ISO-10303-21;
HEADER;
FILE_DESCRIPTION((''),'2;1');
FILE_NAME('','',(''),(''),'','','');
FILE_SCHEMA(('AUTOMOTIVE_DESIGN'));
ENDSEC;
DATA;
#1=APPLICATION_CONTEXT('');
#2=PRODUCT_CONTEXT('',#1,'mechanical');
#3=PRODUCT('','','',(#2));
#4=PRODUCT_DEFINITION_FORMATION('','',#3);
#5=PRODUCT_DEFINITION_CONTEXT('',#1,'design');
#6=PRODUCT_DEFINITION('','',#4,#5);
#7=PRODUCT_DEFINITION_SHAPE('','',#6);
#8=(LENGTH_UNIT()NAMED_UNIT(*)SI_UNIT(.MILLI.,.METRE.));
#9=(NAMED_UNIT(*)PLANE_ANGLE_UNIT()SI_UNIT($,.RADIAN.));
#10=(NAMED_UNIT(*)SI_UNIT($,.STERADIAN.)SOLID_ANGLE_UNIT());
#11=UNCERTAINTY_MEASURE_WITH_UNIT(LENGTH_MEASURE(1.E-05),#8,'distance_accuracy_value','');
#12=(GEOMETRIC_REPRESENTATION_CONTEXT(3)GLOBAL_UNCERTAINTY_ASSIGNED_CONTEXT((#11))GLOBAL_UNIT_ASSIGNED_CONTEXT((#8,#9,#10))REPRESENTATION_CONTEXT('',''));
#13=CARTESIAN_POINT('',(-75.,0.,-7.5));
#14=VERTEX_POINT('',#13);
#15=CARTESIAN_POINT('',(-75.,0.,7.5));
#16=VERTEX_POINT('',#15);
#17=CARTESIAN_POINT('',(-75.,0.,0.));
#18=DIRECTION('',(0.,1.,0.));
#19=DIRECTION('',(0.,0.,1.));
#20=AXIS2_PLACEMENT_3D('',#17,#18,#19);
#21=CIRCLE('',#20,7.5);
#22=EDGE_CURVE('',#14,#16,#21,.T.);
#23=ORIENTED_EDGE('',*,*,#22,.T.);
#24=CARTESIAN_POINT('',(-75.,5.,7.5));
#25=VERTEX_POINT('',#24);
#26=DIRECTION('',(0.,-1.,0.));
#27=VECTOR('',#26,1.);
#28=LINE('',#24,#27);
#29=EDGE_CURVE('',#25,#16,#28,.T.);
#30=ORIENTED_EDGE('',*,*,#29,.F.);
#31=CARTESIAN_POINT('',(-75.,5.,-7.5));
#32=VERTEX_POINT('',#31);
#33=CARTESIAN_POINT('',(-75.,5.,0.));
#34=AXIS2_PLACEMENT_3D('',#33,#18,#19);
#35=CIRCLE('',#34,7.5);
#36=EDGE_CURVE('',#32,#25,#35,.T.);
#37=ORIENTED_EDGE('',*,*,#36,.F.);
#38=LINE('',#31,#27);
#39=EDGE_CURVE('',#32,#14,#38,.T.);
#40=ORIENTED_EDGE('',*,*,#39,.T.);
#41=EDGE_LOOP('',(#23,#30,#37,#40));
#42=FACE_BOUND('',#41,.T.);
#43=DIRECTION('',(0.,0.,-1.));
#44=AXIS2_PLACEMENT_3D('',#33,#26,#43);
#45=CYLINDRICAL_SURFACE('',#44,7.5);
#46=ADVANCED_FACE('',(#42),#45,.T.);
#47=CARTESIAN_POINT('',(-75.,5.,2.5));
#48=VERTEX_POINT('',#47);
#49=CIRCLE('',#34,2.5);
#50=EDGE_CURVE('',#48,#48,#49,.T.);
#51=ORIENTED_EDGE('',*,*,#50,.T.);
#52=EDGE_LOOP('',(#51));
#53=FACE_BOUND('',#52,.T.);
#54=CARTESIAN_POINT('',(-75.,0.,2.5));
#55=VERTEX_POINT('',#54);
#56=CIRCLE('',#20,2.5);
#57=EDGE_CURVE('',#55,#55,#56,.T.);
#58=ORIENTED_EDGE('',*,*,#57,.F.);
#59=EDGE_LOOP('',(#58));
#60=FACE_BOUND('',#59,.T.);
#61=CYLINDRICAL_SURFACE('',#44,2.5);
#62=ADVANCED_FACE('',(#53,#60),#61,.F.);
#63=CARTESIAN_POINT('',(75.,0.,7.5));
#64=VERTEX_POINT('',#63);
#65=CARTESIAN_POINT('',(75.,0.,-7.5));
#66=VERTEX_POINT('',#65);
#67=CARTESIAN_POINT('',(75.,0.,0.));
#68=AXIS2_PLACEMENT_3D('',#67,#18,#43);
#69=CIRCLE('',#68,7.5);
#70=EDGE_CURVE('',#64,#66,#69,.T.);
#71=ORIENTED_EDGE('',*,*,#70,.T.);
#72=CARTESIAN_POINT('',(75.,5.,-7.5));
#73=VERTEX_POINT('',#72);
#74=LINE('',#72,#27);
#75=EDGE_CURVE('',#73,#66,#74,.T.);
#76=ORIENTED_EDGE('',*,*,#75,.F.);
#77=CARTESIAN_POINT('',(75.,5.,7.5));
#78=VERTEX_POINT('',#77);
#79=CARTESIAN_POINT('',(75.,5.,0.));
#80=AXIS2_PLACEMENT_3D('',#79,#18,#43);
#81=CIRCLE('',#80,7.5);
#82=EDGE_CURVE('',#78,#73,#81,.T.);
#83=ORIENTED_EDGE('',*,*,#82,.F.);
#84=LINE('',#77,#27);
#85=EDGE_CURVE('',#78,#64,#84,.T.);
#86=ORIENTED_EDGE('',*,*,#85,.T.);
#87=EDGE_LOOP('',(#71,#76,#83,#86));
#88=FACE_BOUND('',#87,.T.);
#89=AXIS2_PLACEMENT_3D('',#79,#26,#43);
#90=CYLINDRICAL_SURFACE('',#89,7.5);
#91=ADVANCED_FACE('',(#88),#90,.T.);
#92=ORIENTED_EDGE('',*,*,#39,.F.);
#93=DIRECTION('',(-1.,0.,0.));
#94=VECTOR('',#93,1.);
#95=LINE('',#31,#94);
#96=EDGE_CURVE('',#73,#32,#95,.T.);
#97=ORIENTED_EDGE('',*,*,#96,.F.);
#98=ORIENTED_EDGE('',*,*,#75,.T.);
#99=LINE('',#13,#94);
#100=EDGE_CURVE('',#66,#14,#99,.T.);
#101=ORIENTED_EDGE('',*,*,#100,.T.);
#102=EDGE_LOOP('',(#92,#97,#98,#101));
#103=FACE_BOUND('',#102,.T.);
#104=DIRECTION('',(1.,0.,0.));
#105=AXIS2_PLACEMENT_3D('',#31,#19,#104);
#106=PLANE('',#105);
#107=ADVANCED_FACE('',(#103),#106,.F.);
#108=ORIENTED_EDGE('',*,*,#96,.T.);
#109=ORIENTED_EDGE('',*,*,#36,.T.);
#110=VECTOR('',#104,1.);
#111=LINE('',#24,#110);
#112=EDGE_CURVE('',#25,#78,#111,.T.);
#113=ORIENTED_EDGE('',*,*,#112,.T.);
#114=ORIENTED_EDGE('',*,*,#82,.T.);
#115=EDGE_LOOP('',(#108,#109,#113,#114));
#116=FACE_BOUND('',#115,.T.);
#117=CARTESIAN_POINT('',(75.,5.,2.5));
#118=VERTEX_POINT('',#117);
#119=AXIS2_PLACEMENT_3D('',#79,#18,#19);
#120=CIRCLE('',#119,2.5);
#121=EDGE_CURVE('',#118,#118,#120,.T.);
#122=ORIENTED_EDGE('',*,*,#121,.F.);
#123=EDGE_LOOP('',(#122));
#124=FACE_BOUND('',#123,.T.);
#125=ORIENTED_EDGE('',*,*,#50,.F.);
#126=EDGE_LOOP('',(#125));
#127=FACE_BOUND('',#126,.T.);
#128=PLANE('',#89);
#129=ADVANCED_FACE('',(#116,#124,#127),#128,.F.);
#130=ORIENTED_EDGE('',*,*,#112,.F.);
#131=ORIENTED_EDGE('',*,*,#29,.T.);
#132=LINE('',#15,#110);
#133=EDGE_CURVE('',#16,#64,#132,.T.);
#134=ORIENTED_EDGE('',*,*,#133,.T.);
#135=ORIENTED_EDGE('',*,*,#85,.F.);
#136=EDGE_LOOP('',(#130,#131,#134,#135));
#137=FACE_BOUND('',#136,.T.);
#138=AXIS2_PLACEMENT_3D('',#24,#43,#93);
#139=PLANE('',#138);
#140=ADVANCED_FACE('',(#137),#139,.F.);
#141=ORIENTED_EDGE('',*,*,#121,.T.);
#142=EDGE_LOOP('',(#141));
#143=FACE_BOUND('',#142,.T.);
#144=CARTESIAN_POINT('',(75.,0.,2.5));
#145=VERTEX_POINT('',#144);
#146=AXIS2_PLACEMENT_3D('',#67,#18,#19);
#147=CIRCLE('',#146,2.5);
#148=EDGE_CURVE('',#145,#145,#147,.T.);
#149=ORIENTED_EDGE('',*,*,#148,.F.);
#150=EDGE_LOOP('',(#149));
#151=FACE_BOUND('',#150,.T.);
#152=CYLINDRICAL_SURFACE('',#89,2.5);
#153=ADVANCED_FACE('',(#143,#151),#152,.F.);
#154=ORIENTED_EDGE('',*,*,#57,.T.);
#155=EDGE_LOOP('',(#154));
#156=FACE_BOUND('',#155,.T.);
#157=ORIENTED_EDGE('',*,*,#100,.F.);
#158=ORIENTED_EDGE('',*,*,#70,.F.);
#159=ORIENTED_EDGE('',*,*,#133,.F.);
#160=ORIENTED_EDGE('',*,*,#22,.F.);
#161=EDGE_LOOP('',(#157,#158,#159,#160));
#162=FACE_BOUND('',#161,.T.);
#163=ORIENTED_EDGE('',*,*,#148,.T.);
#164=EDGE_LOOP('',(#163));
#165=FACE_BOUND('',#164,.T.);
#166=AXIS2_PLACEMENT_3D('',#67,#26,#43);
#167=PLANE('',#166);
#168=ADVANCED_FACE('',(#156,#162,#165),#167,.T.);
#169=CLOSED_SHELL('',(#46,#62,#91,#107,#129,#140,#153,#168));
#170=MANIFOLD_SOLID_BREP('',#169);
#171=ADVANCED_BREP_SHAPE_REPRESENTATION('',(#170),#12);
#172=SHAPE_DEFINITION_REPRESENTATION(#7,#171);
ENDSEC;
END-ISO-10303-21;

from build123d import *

# Parameters (mm, degrees)
SKETCH1_R           = 2.5
BOSS_EXTRUDE1_DEPTH = 5


with BuildPart() as part:
    # Sketch1 → Boss-Extrude1 (new body)
    with BuildSketch(Plane(origin=(0, 0, 0), x_dir=(1, 0, 0), z_dir=(0, 1, 0))):
        with BuildLine():
            Line((-75, 7.5), (75, 7.5))
            ThreePointArc((75, 7.5), (82.5, 0), (75, -7.5))
            Line((75, -7.5), (-75, -7.5))
            ThreePointArc((-75, -7.5), (-82.5, 0), (-75, 7.5))
        make_face()
        with Locations(Location((-75, 0, 0), (0, 0, 270))):
            Circle(SKETCH1_R, mode=Mode.SUBTRACT)
        with Locations(Location((75, 0, 0), (0, 0, 270))):
            Circle(SKETCH1_R, mode=Mode.SUBTRACT)
    extrude(amount=BOSS_EXTRUDE1_DEPTH)


solid = part.part
